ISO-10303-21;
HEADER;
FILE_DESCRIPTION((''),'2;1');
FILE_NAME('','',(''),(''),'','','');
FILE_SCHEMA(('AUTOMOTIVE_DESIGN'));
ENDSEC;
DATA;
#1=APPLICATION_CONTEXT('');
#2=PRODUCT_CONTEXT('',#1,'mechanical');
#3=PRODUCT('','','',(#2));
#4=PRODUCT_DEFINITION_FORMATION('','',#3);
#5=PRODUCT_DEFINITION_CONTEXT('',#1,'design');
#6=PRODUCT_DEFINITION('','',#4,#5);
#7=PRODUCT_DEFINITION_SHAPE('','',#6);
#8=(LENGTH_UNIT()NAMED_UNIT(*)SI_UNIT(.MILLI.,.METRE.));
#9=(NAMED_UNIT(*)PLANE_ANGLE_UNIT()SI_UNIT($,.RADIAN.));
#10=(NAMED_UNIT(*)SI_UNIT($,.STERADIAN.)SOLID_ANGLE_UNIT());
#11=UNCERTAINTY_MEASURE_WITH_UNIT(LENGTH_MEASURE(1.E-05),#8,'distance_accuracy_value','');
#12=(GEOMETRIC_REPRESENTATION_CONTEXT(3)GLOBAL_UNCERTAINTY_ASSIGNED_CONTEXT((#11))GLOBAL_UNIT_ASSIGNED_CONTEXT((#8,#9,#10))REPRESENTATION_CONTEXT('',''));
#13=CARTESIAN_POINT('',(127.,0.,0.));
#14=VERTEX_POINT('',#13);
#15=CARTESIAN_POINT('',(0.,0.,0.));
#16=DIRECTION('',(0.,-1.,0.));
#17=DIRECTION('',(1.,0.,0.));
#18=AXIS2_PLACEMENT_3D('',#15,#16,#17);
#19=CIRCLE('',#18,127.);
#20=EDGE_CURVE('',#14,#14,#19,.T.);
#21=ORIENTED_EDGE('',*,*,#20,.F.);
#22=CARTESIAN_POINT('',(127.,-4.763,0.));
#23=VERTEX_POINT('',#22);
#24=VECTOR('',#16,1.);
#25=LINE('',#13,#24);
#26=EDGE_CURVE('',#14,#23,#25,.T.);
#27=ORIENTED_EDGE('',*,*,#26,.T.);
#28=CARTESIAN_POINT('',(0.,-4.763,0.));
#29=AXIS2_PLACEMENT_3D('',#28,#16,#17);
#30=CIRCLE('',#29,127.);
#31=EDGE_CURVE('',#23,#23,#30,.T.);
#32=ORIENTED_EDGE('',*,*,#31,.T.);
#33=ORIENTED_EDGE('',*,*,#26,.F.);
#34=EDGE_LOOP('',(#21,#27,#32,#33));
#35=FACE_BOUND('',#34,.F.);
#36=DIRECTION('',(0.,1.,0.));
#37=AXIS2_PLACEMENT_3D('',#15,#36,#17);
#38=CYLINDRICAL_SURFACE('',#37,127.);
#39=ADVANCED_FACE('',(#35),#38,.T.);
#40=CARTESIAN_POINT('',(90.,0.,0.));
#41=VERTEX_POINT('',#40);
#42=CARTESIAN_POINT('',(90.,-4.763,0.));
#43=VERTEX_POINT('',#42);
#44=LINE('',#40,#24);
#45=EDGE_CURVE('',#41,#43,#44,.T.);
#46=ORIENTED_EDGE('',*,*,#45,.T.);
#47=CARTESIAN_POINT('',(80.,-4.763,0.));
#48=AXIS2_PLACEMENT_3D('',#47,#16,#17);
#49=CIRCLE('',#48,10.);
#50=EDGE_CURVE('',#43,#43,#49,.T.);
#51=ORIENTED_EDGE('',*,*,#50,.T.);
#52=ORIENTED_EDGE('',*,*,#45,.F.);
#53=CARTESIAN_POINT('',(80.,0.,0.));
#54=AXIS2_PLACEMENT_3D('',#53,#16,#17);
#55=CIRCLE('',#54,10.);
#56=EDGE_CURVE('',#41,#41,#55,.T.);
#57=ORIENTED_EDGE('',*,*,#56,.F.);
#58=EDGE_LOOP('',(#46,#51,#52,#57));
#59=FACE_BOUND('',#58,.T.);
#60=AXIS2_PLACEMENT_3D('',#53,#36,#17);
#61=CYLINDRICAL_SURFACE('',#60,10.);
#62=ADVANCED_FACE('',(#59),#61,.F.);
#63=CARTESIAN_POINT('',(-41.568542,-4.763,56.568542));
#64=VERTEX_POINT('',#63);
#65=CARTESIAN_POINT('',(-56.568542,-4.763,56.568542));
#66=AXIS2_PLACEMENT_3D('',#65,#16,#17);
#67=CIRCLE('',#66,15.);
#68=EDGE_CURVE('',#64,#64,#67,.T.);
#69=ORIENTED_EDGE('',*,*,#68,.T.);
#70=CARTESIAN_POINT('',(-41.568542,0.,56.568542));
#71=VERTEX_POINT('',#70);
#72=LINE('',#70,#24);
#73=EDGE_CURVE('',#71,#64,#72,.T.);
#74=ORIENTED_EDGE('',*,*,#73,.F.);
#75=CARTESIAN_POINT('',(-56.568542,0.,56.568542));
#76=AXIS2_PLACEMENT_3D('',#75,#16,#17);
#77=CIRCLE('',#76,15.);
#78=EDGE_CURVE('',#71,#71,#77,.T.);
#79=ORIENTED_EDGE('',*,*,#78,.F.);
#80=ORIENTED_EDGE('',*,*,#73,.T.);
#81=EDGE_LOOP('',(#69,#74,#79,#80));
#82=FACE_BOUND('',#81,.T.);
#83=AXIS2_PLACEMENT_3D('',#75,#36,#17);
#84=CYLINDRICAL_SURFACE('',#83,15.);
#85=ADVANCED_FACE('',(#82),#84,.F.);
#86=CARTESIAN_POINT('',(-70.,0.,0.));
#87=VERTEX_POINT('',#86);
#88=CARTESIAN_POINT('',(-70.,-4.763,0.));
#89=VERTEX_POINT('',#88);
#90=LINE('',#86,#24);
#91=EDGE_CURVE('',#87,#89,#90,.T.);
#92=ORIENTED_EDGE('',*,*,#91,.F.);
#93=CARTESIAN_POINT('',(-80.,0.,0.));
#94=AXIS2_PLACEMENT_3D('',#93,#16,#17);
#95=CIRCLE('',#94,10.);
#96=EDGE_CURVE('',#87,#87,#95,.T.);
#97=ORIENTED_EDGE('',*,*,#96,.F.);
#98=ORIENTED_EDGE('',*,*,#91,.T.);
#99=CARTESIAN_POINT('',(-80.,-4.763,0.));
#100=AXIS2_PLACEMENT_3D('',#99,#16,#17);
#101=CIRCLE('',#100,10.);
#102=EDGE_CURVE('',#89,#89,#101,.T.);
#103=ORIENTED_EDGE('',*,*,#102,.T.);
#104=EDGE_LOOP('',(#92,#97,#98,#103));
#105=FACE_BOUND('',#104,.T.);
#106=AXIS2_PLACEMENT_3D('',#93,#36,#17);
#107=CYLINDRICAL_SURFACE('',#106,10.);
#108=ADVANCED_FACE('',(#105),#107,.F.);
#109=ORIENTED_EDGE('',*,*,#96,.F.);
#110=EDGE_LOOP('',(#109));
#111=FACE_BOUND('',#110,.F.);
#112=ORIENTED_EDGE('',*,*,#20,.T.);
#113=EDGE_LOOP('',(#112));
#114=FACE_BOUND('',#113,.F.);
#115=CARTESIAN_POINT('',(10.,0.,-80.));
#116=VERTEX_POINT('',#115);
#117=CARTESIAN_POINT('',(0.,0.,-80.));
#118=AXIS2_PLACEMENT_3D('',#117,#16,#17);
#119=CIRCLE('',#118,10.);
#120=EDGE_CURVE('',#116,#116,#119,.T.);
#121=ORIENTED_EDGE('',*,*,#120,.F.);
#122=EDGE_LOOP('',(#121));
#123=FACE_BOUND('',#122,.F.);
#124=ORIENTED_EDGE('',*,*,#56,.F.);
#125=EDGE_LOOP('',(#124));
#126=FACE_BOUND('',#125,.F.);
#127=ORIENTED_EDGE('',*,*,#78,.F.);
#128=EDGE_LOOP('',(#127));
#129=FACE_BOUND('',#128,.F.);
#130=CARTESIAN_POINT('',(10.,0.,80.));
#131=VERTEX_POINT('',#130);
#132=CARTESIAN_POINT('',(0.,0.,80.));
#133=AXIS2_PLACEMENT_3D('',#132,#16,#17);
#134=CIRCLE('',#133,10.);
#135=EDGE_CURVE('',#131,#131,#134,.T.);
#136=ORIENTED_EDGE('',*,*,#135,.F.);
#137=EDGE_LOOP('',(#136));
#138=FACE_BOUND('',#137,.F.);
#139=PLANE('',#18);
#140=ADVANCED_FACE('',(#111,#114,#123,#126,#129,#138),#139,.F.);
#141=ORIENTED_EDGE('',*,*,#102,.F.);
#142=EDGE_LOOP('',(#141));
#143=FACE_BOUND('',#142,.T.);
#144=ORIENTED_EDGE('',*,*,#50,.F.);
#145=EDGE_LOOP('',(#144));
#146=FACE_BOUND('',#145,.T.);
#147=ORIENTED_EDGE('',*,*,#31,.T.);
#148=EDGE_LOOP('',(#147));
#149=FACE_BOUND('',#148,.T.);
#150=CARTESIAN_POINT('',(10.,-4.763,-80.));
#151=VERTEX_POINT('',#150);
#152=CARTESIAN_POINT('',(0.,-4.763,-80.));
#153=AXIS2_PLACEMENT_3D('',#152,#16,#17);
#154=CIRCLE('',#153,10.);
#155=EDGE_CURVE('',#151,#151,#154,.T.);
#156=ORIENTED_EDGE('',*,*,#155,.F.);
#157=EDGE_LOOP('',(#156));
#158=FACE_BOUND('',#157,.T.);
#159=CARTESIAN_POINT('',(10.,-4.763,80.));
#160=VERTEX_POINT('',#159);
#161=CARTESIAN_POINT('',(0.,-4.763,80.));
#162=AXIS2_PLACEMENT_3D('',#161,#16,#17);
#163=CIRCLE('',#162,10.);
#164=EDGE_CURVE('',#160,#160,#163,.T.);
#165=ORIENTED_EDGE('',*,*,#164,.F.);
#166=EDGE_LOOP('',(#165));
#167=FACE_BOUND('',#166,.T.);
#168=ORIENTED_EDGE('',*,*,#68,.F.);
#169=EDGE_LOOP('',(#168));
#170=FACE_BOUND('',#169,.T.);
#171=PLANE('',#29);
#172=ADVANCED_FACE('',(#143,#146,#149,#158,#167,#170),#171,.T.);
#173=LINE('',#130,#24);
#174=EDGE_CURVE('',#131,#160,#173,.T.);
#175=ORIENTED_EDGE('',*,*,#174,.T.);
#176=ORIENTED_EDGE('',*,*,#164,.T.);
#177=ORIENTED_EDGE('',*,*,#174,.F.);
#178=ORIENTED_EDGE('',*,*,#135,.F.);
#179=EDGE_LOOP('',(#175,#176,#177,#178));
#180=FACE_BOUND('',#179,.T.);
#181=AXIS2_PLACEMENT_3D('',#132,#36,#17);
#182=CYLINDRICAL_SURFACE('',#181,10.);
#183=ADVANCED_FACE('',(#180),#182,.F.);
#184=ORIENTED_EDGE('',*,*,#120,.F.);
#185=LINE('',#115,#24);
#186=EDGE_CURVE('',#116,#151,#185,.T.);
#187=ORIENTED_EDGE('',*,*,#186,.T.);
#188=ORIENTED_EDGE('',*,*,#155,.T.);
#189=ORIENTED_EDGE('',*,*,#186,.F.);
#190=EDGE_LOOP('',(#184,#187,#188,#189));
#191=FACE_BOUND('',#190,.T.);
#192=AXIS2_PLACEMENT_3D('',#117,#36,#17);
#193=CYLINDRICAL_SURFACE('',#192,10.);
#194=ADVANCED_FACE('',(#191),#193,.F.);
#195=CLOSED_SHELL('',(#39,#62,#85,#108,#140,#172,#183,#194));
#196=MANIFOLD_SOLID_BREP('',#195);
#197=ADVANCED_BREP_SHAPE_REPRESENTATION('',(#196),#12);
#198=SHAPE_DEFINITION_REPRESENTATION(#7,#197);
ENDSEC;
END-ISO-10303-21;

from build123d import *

# Parameters (mm, degrees)
F0_R     = 127
F0_R_2   = 10
F0_R_3   = 15
F1_DEPTH = 4.763


with BuildPart() as f1:
    # F0 (on Front) → F1 (new body)
    with BuildSketch(Plane.XZ):
        Circle(F0_R)
        with Locations((0, -80)):
            Circle(F0_R_2, mode=Mode.SUBTRACT)
        with Locations((-80, 0)):
            Circle(F0_R_2, mode=Mode.SUBTRACT)
        with Locations((-56.568542, 56.568542)):
            Circle(F0_R_3, mode=Mode.SUBTRACT)
        with Locations((80, 0)):
            Circle(F0_R_2, mode=Mode.SUBTRACT)
        with Locations((0, 80)):
            Circle(F0_R_2, mode=Mode.SUBTRACT)
    extrude(amount=F1_DEPTH)


solid = f1.part
